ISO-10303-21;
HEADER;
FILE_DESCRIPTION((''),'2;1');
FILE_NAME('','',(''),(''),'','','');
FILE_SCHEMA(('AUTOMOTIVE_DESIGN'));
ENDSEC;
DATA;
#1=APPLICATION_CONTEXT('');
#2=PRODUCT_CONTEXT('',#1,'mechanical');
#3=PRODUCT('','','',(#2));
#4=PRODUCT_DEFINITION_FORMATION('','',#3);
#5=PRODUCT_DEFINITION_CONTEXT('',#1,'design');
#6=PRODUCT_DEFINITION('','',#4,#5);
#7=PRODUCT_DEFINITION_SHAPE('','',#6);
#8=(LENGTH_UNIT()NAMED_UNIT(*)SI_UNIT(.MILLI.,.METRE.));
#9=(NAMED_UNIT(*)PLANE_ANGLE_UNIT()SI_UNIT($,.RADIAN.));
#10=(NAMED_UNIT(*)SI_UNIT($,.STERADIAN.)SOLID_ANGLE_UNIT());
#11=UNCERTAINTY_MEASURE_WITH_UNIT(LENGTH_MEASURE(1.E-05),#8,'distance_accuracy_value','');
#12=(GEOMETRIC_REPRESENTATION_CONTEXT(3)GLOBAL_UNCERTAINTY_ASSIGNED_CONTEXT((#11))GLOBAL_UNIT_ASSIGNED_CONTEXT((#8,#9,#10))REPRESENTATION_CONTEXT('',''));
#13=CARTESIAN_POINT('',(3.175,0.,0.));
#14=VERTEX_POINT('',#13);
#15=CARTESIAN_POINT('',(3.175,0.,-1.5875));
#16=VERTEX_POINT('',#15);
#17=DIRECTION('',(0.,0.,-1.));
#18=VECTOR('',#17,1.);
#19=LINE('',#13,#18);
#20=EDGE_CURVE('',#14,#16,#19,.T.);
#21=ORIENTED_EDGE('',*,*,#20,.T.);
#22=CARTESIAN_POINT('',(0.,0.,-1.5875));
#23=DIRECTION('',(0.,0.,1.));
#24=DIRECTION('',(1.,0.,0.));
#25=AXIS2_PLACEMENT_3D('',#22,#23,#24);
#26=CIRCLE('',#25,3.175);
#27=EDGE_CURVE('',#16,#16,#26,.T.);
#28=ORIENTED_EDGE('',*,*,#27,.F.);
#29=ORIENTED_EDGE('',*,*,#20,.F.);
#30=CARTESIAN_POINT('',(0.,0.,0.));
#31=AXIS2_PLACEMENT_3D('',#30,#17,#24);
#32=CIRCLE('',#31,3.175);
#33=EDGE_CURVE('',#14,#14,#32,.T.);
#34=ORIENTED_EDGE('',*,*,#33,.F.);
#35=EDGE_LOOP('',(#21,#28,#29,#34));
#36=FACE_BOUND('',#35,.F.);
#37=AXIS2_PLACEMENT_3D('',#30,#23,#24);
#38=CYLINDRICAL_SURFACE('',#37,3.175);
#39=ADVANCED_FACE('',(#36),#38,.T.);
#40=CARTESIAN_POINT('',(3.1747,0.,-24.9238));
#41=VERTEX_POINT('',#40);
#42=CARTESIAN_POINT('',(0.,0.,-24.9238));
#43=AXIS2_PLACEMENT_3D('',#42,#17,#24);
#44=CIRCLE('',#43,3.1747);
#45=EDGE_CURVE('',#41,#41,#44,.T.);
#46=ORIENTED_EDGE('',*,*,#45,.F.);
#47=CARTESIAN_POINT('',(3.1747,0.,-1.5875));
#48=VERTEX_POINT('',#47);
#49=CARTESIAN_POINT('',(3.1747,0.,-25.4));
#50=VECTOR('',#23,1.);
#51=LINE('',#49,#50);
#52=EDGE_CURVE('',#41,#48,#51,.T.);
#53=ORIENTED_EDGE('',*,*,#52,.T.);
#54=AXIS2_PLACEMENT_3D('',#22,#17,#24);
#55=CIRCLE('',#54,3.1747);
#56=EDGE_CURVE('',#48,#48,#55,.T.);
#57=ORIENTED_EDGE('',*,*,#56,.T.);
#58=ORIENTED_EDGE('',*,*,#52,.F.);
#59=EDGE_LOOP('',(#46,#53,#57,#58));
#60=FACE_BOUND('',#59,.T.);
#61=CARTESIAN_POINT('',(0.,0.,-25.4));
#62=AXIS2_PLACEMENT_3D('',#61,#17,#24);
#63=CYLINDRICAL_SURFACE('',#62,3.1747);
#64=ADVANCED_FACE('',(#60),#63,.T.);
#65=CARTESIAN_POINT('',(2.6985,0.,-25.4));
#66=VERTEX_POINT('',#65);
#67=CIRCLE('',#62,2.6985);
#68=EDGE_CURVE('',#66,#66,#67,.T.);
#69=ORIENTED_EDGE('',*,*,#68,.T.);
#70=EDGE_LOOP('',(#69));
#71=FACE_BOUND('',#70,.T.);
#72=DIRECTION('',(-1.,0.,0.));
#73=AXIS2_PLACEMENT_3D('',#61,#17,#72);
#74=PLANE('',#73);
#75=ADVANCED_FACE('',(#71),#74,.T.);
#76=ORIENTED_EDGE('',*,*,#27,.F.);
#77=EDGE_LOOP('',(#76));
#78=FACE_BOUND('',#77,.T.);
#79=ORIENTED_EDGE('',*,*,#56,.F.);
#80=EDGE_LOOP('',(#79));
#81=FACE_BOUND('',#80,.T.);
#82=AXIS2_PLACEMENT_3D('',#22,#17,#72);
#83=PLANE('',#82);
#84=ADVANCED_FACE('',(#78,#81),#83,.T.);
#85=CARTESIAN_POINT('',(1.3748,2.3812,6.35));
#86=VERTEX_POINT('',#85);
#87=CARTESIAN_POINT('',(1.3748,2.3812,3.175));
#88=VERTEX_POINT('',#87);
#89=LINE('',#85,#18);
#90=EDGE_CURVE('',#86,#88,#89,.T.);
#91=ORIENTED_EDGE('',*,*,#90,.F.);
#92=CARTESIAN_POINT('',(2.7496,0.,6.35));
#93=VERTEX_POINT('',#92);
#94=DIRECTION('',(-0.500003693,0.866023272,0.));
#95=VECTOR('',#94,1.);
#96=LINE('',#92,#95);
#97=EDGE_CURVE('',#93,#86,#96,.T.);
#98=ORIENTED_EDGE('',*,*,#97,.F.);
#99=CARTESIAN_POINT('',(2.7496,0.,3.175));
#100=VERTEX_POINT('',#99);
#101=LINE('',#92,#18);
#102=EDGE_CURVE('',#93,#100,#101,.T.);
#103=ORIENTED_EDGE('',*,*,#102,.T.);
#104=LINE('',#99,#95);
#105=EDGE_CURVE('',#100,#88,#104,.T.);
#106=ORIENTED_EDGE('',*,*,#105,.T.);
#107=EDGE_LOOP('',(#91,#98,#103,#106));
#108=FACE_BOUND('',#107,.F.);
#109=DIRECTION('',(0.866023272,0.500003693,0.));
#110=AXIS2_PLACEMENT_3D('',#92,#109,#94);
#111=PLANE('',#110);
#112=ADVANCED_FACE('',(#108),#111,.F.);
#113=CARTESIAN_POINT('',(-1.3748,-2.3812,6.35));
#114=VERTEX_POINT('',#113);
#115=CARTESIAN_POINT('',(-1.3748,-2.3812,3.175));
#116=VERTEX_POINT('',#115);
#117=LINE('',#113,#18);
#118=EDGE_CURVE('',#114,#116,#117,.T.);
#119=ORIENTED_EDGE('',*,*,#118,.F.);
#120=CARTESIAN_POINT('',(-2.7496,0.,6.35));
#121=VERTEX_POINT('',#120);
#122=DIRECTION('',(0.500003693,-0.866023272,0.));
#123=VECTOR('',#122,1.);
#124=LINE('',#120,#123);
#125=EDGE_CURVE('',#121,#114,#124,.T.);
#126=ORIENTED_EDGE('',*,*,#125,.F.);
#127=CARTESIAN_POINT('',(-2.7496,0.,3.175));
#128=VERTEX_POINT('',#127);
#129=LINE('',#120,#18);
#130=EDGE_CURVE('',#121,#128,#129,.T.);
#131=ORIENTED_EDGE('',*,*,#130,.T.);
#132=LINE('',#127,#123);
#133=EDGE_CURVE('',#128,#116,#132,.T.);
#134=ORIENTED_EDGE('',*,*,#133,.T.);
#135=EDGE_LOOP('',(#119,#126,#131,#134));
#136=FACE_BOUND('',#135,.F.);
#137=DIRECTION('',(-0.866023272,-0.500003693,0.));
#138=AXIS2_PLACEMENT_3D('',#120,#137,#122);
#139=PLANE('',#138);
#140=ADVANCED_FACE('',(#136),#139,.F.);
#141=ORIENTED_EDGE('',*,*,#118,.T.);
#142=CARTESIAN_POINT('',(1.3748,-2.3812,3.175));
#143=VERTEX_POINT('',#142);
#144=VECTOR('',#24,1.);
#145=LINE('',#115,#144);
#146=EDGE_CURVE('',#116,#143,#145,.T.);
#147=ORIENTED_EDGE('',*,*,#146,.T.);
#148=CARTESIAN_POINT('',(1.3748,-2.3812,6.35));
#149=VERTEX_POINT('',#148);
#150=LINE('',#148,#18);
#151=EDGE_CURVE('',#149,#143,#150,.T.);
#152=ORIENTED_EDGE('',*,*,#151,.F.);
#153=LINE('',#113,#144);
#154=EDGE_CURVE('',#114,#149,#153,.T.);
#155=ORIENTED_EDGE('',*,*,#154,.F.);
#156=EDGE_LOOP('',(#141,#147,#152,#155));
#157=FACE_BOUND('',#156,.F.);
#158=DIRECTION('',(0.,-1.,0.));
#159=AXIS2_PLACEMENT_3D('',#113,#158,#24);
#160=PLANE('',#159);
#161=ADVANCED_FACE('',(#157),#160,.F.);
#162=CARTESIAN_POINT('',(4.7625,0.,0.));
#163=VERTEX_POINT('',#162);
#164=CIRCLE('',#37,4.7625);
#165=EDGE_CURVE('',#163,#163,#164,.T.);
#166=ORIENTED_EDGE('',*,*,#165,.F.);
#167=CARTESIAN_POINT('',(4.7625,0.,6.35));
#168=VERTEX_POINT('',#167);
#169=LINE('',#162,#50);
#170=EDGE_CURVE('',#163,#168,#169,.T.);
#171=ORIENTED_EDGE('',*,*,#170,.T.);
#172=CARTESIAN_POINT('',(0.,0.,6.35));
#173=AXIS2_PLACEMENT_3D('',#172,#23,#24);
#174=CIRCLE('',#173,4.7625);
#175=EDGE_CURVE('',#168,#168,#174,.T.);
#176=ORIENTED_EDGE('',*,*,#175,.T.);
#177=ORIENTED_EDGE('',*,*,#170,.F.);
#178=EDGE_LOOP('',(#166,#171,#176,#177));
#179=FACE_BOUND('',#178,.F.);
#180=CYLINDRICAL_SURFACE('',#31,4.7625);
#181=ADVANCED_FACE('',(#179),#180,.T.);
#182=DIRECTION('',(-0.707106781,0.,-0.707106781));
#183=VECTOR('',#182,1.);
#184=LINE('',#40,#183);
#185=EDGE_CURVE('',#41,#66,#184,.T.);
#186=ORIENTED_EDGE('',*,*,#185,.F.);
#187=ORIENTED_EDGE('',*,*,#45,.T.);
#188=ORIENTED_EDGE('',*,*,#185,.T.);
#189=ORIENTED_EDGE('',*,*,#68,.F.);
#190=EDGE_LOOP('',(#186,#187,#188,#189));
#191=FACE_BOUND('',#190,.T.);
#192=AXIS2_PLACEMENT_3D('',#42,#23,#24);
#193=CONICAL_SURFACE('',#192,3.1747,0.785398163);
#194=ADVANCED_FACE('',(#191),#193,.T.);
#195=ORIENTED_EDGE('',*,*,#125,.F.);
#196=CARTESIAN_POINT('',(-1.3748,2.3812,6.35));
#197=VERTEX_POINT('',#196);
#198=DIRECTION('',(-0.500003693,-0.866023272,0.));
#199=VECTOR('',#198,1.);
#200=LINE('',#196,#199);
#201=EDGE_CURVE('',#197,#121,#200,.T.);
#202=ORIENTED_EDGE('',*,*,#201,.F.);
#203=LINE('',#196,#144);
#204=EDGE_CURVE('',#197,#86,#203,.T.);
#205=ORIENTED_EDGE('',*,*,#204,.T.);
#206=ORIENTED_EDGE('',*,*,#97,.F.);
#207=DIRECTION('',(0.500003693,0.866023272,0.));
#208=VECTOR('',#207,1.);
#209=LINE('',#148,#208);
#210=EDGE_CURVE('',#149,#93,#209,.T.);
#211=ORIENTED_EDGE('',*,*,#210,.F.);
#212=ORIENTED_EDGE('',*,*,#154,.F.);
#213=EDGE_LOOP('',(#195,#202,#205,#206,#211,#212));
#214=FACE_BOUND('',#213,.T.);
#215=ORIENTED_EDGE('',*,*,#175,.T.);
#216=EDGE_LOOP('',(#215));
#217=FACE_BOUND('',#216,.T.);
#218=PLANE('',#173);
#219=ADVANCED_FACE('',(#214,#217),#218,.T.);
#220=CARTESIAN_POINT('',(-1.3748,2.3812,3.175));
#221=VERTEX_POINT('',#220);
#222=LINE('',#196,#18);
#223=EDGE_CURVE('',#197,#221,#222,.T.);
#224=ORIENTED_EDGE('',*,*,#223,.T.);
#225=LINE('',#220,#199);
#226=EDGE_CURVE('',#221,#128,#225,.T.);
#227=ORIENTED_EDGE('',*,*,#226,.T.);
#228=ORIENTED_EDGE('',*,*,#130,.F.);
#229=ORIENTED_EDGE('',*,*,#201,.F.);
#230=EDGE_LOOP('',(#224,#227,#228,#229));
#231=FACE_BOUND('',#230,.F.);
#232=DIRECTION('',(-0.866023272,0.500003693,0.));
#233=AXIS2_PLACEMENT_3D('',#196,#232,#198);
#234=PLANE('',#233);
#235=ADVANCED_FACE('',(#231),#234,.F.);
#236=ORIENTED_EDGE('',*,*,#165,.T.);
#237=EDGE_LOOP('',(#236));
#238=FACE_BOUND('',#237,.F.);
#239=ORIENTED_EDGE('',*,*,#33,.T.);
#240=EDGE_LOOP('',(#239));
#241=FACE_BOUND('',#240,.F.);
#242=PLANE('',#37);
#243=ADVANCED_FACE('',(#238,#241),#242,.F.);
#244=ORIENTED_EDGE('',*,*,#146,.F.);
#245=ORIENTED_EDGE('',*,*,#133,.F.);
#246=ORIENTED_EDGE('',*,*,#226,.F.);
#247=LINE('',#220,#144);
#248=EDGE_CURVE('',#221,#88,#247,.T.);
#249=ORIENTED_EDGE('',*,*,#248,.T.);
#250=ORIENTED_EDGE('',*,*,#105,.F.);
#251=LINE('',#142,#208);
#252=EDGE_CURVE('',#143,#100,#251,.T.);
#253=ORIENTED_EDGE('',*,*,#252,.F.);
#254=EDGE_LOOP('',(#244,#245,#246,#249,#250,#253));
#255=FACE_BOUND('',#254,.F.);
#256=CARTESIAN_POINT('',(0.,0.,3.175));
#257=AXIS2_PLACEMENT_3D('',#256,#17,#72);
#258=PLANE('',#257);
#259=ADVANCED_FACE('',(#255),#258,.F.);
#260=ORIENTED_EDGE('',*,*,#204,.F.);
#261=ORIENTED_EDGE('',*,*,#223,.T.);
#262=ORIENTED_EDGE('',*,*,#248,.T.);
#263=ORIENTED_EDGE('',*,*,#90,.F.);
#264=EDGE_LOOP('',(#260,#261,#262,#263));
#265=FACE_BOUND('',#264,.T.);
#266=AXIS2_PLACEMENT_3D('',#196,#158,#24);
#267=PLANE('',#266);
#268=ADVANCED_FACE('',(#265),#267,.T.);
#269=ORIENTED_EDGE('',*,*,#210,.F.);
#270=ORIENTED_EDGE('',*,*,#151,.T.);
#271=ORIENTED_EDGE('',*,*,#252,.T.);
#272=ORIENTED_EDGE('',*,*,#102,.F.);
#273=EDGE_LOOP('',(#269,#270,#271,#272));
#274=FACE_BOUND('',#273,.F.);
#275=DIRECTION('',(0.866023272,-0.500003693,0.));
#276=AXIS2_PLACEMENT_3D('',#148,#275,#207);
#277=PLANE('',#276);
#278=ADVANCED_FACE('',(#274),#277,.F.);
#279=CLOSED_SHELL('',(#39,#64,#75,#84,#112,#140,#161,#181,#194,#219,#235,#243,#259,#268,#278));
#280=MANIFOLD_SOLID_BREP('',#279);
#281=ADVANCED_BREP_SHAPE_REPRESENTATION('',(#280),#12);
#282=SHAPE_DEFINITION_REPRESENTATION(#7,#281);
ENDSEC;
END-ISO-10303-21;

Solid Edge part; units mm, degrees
sketch "Sketch1" plane through (0, 0, 0) normal (0, 0, 1) x (1, 0, 0)
  circle A0 centre (0, 0) radius 4.7625
  dimension "D1" = 9.525
extrude "Protrusion1" add sketch "Sketch1" along normal blind 6.35
sketch "Sketch2" plane through (0, 0, 0) normal (0, 0, -1) x (1, 0, 0)
  circle A0 centre (0, 0) radius 3.175
extrude "Protrusion2" add sketch "Sketch2" along normal blind 25.4
sketch "Sketch3" plane through (0, 0, -25.4) normal (0, 0, -1) x (1, 0, 0)
  circle A0 centre (0, 0) radius 3.1747
extrude "Cutout1" cut sketch "Sketch3" against normal blind 23.8125 flip side to cut
chamfer "Chamfer_1" distance 0.4762 angle 45 1 edges at (-3.1747, 0, -25.4)
sketch "Sketch4" plane through (0, 0, 6.35) normal (0, 0, 1) x (1, 0, 0)
  line L0 (-1.3748, 2.3812) -> (1.3748, 2.3812)
  line L1 (2.7496, 0) -> (1.3748, 2.3812)
  line L2 (1.3748, -2.3812) -> (2.7496, 0)
  line L3 (-1.3748, -2.3812) -> (1.3748, -2.3812)
  line L4 (-2.7496, 0) -> (-1.3748, -2.3812)
  line L5 (-1.3748, 2.3812) -> (-2.7496, 0)
  dimension "D1" = 4.7625
extrude "Cutout2" cut sketch "Sketch4" against normal blind 3.175
properties part number "186281"
